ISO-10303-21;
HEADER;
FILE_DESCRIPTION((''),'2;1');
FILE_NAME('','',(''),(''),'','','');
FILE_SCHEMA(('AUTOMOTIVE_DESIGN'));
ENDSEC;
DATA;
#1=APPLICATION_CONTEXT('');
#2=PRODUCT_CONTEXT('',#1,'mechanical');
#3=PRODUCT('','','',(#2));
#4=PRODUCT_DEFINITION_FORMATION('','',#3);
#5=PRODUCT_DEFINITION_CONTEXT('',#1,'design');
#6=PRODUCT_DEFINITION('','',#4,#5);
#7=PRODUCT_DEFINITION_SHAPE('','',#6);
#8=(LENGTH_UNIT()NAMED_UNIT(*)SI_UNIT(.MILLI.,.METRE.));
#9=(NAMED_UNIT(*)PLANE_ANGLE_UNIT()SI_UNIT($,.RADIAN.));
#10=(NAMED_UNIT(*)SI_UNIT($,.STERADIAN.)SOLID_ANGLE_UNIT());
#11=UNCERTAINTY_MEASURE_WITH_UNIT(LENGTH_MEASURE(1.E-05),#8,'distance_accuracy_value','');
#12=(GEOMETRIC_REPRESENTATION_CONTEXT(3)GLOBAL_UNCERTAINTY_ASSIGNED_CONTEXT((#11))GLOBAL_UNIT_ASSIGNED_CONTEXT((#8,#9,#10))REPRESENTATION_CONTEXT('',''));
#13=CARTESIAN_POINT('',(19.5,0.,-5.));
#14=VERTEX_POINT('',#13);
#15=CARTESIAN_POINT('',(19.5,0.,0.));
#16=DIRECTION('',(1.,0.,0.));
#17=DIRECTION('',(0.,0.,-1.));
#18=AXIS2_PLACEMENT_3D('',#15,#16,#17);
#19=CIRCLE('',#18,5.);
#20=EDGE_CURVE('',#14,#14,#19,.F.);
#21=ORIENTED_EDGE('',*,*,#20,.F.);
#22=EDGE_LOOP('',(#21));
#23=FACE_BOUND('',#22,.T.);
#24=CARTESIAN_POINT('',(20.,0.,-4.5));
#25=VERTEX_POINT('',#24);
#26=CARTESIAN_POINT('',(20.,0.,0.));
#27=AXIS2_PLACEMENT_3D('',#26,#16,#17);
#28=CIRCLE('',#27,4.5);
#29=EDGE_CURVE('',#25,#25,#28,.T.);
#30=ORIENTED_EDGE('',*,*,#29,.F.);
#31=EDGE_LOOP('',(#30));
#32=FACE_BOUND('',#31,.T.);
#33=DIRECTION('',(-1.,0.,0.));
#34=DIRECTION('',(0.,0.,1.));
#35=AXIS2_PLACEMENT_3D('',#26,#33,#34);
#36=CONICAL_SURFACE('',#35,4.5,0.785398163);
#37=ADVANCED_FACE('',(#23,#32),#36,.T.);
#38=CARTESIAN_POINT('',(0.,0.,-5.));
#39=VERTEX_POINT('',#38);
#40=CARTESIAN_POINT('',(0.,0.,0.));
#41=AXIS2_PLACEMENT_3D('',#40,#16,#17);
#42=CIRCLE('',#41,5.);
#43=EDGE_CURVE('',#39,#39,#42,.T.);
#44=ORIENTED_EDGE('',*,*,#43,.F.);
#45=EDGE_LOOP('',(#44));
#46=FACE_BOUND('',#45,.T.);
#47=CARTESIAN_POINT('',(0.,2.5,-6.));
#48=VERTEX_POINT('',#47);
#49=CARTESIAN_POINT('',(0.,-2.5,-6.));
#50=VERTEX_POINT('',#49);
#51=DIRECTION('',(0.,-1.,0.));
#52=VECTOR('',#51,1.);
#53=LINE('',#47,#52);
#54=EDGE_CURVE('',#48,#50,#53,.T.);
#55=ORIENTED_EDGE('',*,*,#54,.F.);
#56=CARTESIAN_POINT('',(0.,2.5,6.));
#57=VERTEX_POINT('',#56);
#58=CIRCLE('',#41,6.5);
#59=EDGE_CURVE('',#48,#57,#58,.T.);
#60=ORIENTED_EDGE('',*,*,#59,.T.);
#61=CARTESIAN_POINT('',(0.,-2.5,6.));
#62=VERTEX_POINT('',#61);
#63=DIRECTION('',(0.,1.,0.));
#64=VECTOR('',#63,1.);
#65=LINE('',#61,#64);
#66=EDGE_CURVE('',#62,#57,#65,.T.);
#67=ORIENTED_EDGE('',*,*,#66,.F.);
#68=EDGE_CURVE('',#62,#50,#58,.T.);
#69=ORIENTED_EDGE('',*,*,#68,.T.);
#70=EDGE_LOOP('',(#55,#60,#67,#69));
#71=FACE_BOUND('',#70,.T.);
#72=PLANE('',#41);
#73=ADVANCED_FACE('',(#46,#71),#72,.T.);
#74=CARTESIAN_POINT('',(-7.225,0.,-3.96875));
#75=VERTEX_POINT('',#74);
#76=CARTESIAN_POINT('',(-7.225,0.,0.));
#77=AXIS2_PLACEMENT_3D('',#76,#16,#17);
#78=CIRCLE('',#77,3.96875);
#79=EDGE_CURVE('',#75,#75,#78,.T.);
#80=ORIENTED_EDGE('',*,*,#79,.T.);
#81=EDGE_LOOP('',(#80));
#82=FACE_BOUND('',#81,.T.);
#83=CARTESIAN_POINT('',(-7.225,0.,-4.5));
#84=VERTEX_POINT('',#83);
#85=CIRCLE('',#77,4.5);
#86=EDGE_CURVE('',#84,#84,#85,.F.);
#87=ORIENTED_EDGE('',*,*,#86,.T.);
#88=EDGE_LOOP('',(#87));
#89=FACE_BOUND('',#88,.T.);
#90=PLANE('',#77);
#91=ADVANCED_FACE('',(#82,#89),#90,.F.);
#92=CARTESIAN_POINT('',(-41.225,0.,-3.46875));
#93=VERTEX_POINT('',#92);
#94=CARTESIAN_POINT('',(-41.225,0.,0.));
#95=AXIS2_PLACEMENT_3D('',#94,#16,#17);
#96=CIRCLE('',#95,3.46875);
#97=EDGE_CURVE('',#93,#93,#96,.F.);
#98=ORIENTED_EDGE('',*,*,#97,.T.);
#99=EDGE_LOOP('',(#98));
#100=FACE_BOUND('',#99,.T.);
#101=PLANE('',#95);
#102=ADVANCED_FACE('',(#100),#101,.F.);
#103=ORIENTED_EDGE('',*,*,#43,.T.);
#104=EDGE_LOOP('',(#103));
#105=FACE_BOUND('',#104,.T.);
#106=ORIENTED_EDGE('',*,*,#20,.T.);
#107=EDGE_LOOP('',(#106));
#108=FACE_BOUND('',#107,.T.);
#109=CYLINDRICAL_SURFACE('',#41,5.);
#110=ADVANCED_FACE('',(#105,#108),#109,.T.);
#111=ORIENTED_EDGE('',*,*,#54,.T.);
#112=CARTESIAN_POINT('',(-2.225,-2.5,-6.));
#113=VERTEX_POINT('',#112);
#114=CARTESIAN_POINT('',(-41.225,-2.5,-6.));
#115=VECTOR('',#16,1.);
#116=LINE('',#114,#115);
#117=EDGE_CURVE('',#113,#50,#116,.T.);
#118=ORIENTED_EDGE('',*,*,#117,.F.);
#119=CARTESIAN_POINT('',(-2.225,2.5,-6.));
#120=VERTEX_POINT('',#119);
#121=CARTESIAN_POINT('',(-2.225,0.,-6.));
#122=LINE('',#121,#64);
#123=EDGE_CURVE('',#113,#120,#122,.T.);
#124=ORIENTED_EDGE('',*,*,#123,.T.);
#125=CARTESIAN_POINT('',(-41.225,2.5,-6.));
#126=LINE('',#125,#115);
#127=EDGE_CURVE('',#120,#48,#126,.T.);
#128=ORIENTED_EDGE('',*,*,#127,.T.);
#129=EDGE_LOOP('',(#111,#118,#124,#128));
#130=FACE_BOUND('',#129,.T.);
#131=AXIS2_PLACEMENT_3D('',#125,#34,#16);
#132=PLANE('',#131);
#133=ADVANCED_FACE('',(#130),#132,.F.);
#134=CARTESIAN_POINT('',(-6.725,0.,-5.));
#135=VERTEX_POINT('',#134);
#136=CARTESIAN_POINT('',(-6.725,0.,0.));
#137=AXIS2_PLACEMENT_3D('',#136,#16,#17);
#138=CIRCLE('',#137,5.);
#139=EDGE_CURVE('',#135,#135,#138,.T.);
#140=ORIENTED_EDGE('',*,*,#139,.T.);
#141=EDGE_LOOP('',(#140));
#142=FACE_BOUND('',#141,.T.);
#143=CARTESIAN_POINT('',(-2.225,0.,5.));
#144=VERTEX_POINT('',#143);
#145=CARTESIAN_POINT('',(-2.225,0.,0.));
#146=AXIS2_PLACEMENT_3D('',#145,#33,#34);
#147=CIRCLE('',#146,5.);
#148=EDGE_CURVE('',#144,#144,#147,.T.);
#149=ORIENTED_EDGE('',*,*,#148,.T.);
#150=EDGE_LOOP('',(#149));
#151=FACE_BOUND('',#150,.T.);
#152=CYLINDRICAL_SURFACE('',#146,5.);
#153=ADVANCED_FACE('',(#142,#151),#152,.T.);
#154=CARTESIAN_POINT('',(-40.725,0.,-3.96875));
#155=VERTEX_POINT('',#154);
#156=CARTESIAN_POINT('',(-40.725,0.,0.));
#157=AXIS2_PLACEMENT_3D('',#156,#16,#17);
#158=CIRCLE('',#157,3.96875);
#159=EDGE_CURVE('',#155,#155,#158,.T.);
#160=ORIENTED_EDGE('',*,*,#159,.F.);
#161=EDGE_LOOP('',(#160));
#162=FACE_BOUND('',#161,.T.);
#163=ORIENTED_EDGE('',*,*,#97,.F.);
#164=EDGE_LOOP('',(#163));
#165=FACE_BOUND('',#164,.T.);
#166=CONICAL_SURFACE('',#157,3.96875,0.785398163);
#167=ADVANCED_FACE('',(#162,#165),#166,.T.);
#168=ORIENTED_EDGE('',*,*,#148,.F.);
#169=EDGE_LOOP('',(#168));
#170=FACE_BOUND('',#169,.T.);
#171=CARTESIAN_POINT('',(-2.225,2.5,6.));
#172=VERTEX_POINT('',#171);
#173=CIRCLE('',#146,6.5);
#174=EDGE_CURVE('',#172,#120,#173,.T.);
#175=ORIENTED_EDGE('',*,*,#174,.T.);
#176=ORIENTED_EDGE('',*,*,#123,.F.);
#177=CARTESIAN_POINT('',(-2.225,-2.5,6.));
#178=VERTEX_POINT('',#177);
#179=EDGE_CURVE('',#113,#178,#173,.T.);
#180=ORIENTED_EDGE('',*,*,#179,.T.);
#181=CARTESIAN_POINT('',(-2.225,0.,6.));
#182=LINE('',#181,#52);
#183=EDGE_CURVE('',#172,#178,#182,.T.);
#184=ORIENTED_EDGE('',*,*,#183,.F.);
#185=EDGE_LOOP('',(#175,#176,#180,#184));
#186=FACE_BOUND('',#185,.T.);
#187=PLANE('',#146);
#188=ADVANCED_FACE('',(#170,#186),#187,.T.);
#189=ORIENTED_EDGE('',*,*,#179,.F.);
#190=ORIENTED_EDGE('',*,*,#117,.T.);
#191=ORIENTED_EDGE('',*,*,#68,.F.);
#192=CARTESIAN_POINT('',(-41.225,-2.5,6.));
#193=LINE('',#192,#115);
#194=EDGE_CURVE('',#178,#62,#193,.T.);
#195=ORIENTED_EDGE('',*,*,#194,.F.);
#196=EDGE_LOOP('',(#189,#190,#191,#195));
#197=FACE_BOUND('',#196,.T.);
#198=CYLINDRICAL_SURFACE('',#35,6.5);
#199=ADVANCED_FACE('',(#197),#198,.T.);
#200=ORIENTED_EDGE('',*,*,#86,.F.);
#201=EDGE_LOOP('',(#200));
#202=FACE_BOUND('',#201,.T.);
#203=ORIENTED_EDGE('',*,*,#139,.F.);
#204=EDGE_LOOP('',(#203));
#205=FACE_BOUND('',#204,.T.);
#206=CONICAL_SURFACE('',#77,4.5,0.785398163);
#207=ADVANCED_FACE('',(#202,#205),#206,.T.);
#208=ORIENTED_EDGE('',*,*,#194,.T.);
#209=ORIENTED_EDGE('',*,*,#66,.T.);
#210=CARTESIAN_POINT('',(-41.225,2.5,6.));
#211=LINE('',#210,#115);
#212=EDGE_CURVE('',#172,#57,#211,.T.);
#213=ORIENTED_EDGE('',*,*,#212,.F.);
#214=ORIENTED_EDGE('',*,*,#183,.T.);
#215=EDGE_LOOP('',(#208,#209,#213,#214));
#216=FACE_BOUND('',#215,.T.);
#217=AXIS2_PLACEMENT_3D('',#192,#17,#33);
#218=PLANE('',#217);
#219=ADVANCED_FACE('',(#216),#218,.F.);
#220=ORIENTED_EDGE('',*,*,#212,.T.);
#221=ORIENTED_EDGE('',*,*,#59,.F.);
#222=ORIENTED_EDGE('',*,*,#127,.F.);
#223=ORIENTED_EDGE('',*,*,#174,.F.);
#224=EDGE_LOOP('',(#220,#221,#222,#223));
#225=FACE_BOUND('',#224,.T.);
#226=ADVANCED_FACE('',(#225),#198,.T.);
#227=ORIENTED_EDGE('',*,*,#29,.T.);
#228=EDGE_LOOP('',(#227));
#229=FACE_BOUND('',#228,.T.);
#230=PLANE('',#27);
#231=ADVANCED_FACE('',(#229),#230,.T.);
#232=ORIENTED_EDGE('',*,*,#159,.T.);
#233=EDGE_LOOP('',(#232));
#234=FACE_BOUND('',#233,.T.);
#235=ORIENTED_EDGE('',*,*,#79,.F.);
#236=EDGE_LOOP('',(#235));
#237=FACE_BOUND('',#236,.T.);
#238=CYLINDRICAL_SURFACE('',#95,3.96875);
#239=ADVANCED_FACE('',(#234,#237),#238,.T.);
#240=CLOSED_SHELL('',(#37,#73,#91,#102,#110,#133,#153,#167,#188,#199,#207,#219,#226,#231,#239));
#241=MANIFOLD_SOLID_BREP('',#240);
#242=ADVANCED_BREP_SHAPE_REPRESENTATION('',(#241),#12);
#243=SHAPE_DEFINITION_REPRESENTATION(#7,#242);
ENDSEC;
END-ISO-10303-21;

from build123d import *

# Parameters (mm, degrees)
BOSS_EXTRUDE1_DEPTH      = 20
BOSS_EXTRUDE1_DEPTH_BACK = 41.225
SKETCH1_R                = 7
CUT_EXTRUDE1_START       = -7.225
SKETCH2_R                = 7
SKETCH2_R_2              = 3.96875
CUT_EXTRUDE1_DEPTH       = 36.171941222
SKETCH3_R                = 7
SKETCH3_R_2              = 5
CUT_EXTRUDE2_DEPTH       = 5
SKETCH4_R                = 7
SKETCH4_R_2              = 6.5
CUT_EXTRUDE3_DEPTH       = 41.236799077
CUT_EXTRUDE4_START       = -20
SKETCH5_R                = 6.5
SKETCH5_R_2              = 5
CUT_EXTRUDE4_DEPTH       = 20
CHAMFER1_SIZE            = 0.5
CUT_EXTRUDE5_DEPTH       = 43.237431563


with BuildPart() as part:
    # Sketch1 → Boss-Extrude1 (new, two sides: drawn at the far end of the back side and taken through both)
    with BuildSketch(Plane(origin=(0, 0, 0), x_dir=(0, 0, -1), z_dir=(1, 0, 0)).offset(-BOSS_EXTRUDE1_DEPTH_BACK)):
        Circle(SKETCH1_R)
    extrude(amount=BOSS_EXTRUDE1_DEPTH + BOSS_EXTRUDE1_DEPTH_BACK)

    # Sketch2 → Cut-Extrude1 (cut, through all)
    with BuildSketch(Plane(origin=(0, 0, 0), x_dir=(0, 0, -1), z_dir=(1, 0, 0)).offset(CUT_EXTRUDE1_START)):
        Circle(SKETCH2_R)
        Circle(SKETCH2_R_2, mode=Mode.SUBTRACT)
    extrude(amount=-CUT_EXTRUDE1_DEPTH, mode=Mode.SUBTRACT)

    # Sketch3 → Cut-Extrude2 (cut)
    with BuildSketch(Plane.ZY.offset(7.225)):
        Circle(SKETCH3_R)
        Circle(SKETCH3_R_2, mode=Mode.SUBTRACT)
    extrude(amount=-CUT_EXTRUDE2_DEPTH, mode=Mode.SUBTRACT)

    # Sketch4 → Cut-Extrude3 (cut, through all)
    with BuildSketch(Plane.ZY.offset(2.225)):
        Circle(SKETCH4_R)
        Circle(SKETCH4_R_2, mode=Mode.SUBTRACT)
    extrude(amount=-CUT_EXTRUDE3_DEPTH, mode=Mode.SUBTRACT)

    # Sketch5 → Cut-Extrude4 (cut)
    with BuildSketch(Plane(origin=(20, 0, 0), x_dir=(0, 0, -1), z_dir=(1, 0, 0)).offset(CUT_EXTRUDE4_START)):
        with Locations(Location((0, 0, 0), (0, 0, 180))):
            Circle(SKETCH5_R)
        with Locations(Location((0, 0, 0), (0, 0, 180))):
            Circle(SKETCH5_R_2, mode=Mode.SUBTRACT)
    extrude(amount=CUT_EXTRUDE4_DEPTH, mode=Mode.SUBTRACT)

    # Chamfer1
    chamfer1_edges = [part.edges().sort_by_distance(p)[0] for p in [
        (-7.225, 0, -5),
        (20, 0, -5),
        (-41.225, 0, 3.96875),
    ]]
    chamfer(chamfer1_edges, length=CHAMFER1_SIZE)

    # Sketch6 → Cut-Extrude5 (cut, through all)
    with BuildSketch(Plane(origin=(0, 0, 0), x_dir=(0, 0, -1), z_dir=(1, 0, 0))):
        with BuildLine():
            Line((-6, -2.5), (-6, 2.5))
            ThreePointArc((-6, 2.5), (-6.5, 0), (-6, -2.5))
        make_face()
        with BuildLine():
            Line((6, 2.5), (6, -2.5))
            ThreePointArc((6, -2.5), (6.5, 0), (6, 2.5))
        make_face()
    extrude(amount=-CUT_EXTRUDE5_DEPTH, mode=Mode.SUBTRACT)


solid = part.part
